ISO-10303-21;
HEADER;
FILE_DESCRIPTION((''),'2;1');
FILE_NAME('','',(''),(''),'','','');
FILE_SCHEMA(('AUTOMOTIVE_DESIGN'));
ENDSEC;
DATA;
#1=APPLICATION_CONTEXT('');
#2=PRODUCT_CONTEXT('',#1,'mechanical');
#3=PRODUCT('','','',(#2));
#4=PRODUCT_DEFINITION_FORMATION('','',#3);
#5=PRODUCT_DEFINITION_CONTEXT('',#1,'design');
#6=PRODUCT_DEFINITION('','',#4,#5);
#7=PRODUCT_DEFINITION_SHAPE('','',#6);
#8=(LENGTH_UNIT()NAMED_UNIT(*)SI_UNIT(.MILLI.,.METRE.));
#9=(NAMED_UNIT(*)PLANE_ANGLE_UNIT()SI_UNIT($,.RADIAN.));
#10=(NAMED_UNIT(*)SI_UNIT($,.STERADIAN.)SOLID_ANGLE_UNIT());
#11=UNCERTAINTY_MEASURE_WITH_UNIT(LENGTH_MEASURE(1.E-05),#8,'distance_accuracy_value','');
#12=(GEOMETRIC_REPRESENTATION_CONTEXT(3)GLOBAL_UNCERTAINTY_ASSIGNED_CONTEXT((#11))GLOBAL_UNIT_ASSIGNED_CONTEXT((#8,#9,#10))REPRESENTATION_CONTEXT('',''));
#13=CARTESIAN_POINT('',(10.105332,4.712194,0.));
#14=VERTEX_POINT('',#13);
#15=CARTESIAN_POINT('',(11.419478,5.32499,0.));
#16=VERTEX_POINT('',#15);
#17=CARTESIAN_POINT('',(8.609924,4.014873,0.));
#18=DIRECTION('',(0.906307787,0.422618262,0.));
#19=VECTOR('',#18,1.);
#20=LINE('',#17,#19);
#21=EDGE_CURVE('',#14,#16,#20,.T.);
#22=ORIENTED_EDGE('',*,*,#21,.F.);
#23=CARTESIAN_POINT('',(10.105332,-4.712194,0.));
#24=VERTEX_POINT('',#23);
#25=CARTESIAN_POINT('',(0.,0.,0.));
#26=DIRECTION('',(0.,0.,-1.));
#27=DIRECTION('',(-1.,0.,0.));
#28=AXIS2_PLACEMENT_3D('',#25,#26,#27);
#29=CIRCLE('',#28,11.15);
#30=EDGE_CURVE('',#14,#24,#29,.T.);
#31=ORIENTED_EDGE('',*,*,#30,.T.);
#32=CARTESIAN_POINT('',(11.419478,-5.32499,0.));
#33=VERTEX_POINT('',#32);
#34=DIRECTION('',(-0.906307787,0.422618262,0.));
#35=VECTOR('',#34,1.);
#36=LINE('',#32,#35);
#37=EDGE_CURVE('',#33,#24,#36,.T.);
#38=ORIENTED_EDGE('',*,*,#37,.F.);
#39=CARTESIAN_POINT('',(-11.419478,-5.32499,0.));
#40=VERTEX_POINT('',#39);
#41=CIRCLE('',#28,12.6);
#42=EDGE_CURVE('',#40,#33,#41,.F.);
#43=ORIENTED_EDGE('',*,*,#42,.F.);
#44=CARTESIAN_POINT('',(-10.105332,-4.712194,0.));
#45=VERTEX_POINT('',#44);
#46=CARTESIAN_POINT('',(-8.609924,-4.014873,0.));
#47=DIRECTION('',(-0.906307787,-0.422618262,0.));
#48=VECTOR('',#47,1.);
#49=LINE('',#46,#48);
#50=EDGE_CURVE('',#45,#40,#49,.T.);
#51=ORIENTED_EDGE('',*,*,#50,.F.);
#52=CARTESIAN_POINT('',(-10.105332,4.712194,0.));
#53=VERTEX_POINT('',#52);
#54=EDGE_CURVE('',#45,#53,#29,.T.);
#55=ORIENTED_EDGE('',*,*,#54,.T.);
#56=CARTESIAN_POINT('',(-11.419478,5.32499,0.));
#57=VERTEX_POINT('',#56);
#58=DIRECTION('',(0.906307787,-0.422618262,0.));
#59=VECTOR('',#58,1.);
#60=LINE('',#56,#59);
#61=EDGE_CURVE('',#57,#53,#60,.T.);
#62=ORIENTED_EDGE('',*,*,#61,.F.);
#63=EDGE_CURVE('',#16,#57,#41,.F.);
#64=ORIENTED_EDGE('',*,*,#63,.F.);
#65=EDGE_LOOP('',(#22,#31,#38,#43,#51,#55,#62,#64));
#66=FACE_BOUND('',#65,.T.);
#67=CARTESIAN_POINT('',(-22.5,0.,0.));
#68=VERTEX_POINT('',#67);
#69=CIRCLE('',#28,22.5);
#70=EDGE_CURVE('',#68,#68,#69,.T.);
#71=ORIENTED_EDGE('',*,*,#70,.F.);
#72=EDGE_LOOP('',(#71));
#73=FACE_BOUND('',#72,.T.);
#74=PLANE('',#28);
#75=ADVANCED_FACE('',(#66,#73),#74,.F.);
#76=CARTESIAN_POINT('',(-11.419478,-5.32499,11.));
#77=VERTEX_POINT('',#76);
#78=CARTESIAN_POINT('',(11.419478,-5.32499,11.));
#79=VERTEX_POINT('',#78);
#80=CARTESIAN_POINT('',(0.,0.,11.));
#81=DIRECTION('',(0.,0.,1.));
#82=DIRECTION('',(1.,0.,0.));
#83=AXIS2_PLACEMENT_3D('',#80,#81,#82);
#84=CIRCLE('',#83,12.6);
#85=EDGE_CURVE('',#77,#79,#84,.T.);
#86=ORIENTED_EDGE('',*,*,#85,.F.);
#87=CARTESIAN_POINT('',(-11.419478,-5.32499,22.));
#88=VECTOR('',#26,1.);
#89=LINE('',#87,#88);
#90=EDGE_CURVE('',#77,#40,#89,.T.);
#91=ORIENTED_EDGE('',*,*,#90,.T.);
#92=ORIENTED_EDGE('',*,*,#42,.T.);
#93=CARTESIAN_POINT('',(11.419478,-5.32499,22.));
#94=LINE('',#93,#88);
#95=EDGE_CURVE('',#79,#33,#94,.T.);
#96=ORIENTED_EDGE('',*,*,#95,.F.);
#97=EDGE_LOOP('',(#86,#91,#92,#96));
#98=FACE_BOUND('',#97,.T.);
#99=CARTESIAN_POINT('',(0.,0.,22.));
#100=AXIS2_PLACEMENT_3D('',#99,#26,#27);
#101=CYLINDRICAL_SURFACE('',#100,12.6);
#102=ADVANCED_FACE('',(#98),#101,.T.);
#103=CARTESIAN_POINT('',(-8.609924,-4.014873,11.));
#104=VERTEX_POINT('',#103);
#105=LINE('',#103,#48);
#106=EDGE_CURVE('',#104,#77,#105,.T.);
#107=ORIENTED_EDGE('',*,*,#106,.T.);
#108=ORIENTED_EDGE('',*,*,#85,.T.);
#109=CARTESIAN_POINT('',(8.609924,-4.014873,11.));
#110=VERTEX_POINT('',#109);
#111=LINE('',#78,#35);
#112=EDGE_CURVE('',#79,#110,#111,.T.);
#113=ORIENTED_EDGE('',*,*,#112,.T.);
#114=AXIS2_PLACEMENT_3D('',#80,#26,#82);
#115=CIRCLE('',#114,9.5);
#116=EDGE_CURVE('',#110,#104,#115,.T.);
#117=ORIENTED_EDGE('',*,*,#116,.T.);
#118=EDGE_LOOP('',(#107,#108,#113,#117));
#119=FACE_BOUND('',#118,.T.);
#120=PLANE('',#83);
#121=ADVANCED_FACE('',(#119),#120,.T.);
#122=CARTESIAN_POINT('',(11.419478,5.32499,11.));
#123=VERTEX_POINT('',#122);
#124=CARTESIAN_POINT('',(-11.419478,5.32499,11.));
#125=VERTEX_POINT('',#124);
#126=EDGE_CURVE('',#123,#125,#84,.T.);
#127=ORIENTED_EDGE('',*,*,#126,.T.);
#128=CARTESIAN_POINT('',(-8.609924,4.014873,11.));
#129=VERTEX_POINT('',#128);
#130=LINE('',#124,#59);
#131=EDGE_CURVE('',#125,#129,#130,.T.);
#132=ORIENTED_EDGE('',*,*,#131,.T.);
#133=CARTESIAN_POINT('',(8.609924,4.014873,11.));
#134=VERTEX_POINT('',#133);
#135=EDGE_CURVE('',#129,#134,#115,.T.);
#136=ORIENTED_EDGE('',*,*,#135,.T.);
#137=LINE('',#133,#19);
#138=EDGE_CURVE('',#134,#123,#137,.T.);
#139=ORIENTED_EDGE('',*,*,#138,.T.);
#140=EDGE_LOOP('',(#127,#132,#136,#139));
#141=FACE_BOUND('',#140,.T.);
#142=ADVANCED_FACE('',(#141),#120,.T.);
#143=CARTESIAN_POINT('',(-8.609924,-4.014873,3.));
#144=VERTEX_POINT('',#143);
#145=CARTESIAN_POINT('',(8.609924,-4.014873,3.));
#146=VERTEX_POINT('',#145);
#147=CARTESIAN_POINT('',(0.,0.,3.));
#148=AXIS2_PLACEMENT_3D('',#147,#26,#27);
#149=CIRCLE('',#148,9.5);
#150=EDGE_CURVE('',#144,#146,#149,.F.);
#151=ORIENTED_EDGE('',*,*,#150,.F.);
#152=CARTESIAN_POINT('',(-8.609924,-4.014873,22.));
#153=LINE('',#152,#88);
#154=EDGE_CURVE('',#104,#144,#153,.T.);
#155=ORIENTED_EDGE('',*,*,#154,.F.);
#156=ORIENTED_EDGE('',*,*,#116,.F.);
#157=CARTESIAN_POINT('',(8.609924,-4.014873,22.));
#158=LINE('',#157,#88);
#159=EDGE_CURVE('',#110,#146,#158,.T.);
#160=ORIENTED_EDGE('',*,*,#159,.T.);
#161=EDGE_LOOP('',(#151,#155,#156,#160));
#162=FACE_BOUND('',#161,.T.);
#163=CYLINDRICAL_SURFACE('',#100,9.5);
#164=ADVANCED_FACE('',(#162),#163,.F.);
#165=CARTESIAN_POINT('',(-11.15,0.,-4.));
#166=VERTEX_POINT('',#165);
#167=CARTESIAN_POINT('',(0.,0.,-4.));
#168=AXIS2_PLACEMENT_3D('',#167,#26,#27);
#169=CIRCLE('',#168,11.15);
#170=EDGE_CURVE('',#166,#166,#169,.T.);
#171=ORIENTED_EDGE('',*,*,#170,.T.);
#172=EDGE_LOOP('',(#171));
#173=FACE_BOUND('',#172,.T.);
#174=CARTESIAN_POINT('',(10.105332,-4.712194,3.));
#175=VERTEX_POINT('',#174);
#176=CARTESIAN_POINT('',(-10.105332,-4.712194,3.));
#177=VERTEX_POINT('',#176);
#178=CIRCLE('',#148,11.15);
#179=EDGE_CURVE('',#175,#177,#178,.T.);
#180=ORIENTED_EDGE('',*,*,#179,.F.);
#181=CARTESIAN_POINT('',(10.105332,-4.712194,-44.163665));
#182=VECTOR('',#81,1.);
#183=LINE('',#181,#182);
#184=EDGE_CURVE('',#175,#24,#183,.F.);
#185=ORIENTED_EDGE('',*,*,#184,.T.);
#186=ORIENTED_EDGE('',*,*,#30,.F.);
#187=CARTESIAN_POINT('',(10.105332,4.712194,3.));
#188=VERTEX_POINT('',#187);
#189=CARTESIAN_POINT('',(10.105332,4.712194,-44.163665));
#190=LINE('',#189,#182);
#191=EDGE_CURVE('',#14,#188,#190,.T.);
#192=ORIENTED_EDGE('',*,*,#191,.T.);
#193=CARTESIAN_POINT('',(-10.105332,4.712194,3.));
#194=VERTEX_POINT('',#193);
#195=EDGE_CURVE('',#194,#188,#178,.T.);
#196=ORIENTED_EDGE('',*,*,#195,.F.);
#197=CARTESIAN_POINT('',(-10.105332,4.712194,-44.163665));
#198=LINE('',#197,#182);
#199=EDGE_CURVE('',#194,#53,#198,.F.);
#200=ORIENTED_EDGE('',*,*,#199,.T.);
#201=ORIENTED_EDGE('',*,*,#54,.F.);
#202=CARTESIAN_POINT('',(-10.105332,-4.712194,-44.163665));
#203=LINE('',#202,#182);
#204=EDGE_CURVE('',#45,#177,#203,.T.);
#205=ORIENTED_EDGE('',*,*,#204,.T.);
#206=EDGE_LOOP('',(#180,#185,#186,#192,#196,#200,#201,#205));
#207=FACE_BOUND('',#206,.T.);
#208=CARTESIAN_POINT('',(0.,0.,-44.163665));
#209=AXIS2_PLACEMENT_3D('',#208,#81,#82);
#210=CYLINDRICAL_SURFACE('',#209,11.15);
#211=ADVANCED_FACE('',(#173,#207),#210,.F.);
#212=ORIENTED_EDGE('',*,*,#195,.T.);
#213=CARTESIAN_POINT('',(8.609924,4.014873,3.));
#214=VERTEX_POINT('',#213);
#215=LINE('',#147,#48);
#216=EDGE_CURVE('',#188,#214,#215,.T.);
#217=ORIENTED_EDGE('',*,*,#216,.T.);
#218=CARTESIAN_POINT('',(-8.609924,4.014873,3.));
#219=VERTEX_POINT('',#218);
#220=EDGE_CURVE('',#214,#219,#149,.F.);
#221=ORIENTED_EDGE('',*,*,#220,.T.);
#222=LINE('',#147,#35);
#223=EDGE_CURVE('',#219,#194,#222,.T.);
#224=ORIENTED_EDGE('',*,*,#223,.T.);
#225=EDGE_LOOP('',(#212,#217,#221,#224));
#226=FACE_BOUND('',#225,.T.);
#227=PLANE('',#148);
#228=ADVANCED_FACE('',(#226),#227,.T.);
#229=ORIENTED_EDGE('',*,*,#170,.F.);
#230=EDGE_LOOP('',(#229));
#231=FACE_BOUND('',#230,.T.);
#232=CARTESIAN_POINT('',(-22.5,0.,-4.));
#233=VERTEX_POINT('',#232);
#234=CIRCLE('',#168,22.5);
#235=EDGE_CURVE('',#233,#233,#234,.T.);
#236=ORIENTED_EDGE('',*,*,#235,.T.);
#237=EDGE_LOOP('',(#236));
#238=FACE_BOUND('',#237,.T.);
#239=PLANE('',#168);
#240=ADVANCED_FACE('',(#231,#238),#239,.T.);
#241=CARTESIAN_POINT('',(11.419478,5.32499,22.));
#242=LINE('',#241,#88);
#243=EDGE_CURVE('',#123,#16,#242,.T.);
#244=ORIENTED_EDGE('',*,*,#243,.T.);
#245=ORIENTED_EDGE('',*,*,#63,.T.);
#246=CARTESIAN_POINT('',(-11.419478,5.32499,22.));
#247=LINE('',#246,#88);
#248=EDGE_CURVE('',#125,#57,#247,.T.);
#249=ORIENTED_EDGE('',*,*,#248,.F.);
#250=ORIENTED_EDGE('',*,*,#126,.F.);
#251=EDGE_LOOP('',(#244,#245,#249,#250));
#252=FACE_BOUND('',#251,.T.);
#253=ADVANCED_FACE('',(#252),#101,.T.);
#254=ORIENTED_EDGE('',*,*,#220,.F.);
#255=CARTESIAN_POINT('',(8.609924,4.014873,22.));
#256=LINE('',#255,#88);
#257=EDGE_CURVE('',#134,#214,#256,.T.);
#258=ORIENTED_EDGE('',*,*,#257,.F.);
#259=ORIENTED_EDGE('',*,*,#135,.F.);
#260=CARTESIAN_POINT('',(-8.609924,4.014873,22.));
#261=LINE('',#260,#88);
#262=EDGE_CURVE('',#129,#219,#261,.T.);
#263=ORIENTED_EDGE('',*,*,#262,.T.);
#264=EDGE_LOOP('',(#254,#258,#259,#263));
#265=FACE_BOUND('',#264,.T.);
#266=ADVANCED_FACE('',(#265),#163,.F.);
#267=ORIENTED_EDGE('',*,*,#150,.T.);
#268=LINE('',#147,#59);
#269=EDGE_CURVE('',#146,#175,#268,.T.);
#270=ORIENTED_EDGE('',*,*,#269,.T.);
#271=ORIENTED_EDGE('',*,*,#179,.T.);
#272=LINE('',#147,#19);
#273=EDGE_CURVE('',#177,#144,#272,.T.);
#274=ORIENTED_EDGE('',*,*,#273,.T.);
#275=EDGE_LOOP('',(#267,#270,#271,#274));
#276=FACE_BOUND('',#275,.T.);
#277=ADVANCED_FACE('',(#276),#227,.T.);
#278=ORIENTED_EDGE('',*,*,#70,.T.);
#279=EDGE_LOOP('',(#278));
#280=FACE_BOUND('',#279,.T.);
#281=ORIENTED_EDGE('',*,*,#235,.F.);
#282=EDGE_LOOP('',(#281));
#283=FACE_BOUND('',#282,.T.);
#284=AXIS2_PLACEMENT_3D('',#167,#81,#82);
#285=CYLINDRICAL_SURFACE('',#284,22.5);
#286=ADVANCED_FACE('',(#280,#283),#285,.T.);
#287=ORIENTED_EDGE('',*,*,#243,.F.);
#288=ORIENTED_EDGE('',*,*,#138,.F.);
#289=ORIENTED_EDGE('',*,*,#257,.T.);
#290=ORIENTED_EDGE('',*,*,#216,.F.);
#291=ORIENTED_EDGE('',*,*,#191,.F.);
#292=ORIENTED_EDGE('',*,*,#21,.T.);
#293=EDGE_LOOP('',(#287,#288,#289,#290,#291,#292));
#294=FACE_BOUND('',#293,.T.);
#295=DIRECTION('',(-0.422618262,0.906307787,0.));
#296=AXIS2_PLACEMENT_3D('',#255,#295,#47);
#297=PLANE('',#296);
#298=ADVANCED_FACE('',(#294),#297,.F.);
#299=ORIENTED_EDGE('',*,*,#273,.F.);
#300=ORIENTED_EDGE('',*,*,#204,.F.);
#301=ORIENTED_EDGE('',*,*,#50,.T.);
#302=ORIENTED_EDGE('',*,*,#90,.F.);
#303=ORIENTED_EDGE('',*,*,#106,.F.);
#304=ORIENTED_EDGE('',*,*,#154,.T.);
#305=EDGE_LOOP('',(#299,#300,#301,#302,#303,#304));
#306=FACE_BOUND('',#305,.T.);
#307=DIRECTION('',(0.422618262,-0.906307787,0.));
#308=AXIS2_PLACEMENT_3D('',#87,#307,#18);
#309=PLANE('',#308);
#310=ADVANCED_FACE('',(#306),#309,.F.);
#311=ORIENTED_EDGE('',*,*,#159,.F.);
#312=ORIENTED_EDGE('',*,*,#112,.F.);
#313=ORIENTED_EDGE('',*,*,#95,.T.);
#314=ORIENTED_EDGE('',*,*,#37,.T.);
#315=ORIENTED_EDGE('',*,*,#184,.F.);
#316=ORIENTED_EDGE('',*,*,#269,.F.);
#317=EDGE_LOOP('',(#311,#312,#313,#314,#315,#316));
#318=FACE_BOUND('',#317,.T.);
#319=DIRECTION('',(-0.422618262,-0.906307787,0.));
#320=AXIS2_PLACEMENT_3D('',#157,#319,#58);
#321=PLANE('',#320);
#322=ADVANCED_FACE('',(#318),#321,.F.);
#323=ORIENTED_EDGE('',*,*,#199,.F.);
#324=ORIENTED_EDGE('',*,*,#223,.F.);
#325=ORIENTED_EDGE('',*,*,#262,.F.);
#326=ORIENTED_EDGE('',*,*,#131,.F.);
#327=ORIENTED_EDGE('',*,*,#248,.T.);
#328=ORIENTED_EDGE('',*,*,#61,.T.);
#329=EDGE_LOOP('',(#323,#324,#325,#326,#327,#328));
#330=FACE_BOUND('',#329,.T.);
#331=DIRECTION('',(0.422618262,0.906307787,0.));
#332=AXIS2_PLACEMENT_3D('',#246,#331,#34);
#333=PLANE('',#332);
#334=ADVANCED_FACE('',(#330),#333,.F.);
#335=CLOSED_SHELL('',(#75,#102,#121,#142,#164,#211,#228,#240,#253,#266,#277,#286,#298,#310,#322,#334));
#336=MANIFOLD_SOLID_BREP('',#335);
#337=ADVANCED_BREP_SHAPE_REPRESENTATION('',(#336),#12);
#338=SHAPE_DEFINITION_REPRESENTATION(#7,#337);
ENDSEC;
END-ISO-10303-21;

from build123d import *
from build123d.topology import SkipClean

# Parameters (mm, degrees)
ESBO_O1_R                = 11.15
RESSALTO_EXTRUS_O1_DEPTH = 15
ESBO_O2_R                = 22.5
RESSALTO_EXTRUS_O2_DEPTH = 4
RESSALTO_EXTRUS_O6_START = -8
ESBO_O5_R                = 11.15
ESBO_O5_R_2              = 8
RESSALTO_EXTRUS_O6_DEPTH = 8
RESSALTO_EXTRUS_O7_START = 4
ESBO_O7_R                = 14.2
ESBO_O7_R_2              = 11.15
RESSALTO_EXTRUS_O7_DEPTH = 4
RESSALTO_EXTRUS_O8_START = 4
ESBO_O8_R                = 11.15
ESBO_O8_R_2              = 8
RESSALTO_EXTRUS_O8_DEPTH = 4
RESSALTO_EXTRUS_O9_DEPTH = 7
CORTE_EXTRUS_O2_START    = -15
CORTE_EXTRUS_O2_DEPTH    = 15
CORTE_EXTRUS_O3_START    = -11
CORTE_EXTRUS_O3_DEPTH    = 11


with BuildPart() as part:
    # Esboço1 → Ressalto-extrusão1 (new body)
    with BuildSketch(Plane.XY):
        with BuildLine():
            Line((-2.5, 18), (-2.5, 13.978197309))
            ThreePointArc((-2.5, 13.978197309), (-10.040916293, 10.040916293), (-13.978197309, 2.5))
            Line((-13.978197309, 2.5), (-18, 2.5))
            Line((-18, 2.5), (-18, -2.5))
            Line((-18, -2.5), (-13.978197309, -2.5))
            ThreePointArc((-13.978197309, -2.5), (-10.040916293, -10.040916293), (-2.5, -13.978197309))
            Line((-2.5, -13.978197309), (-2.5, -18))
            Line((-2.5, -18), (2.5, -18))
            Line((2.5, -18), (2.5, -13.978197309))
            ThreePointArc((2.5, -13.978197309), (10.040916293, -10.040916293), (13.978197309, -2.5))
            Line((13.978197309, -2.5), (18, -2.5))
            Line((18, -2.5), (18, 2.5))
            Line((18, 2.5), (13.978197309, 2.5))
            ThreePointArc((13.978197309, 2.5), (10.040916293, 10.040916293), (2.5, 13.978197309))
            Line((2.5, 13.978197309), (2.5, 18))
            Line((2.5, 18), (-2.5, 18))
        make_face()
        Circle(ESBO_O1_R, mode=Mode.SUBTRACT)
    extrude(amount=RESSALTO_EXTRUS_O1_DEPTH)

    # Esboço5 → Ressalto-extrusão6 (add)
    with BuildSketch(Plane.XY.offset(15).offset(RESSALTO_EXTRUS_O6_START)):
        Circle(ESBO_O5_R)
        Circle(ESBO_O5_R_2, mode=Mode.SUBTRACT)
    extrude(amount=RESSALTO_EXTRUS_O6_DEPTH)



with BuildPart() as body_2:
    # Esboço2 → Ressalto-extrusão2 (new body)
    # profile 1 of 5: a face of its own
    with SkipClean():  # the faces are left unmerged after this step: merging them gives an invalid solid
        with BuildSketch(Plane(origin=(0, 0, 0), x_dir=(-1, 0, 0), z_dir=(0, 0, -1))):
            Circle(ESBO_O2_R)
            with BuildLine():
                Line((2.5, 13.978197309), (2.5, 18))
                Line((2.5, 18), (-2.5, 18))
                Line((-2.5, 18), (-2.5, 13.978197309))
                ThreePointArc((-2.5, 13.978197309), (-10.040916293, 10.040916293), (-13.978197309, 2.5))
                Line((-13.978197309, 2.5), (-18, 2.5))
                Line((-18, 2.5), (-18, -2.5))
                Line((-18, -2.5), (-13.978197309, -2.5))
                ThreePointArc((-13.978197309, -2.5), (-10.040916293, -10.040916293), (-2.5, -13.978197309))
                Line((-2.5, -13.978197309), (-2.5, -18))
                Line((-2.5, -18), (2.5, -18))
                Line((2.5, -18), (2.5, -13.978197309))
                ThreePointArc((2.5, -13.978197309), (10.040916293, -10.040916293), (13.978197309, -2.5))
                Line((13.978197309, -2.5), (18, -2.5))
                Line((18, -2.5), (18, 2.5))
                Line((18, 2.5), (13.978197309, 2.5))
                ThreePointArc((13.978197309, 2.5), (10.040916293, 10.040916293), (2.5, 13.978197309))
            make_face(mode=Mode.SUBTRACT)
        # profile 2 of 5: a face of its own
        with BuildSketch(Plane(origin=(0, 0, 0), x_dir=(-1, 0, 0), z_dir=(0, 0, -1))):
            with BuildLine():
                Line((2.5, -18), (2.5, -13.978197309))
                ThreePointArc((2.5, -13.978197309), (0, -14.2), (-2.5, -13.978197309))
                Line((-2.5, -13.978197309), (-2.5, -18))
                Line((-2.5, -18), (2.5, -18))
            make_face()
        # profile 3 of 5: a face of its own
        with BuildSketch(Plane(origin=(0, 0, 0), x_dir=(-1, 0, 0), z_dir=(0, 0, -1))):
            with BuildLine():
                ThreePointArc((-13.978197309, -2.5), (-14.2, 0), (-13.978197309, 2.5))
                Line((-13.978197309, 2.5), (-18, 2.5))
                Line((-18, 2.5), (-18, -2.5))
                Line((-18, -2.5), (-13.978197309, -2.5))
            make_face()
        # profile 4 of 5: a face of its own
        with BuildSketch(Plane(origin=(0, 0, 0), x_dir=(-1, 0, 0), z_dir=(0, 0, -1))):
            with BuildLine():
                ThreePointArc((-2.5, 13.978197309), (0, 14.2), (2.5, 13.978197309))
                Line((2.5, 13.978197309), (2.5, 18))
                Line((2.5, 18), (-2.5, 18))
                Line((-2.5, 18), (-2.5, 13.978197309))
            make_face()
        # profile 5 of 5: a face of its own
        with BuildSketch(Plane(origin=(0, 0, 0), x_dir=(-1, 0, 0), z_dir=(0, 0, -1))):
            with BuildLine():
                Line((18, 2.5), (13.978197309, 2.5))
                ThreePointArc((13.978197309, 2.5), (14.2, 0), (13.978197309, -2.5))
                Line((13.978197309, -2.5), (18, -2.5))
                Line((18, -2.5), (18, 2.5))
            make_face()
        extrude(amount=RESSALTO_EXTRUS_O2_DEPTH)


with BuildPart() as part_1:
    with SkipClean():  # the faces are left unmerged after this step: merging them gives an invalid solid
        add(part.part)

        add(body_2.part)  # Ressalto-extrusão7 merges body 2
        # Esboço7 → Ressalto-extrusão7 (add)
        with BuildSketch(Plane(origin=(0, 0, 0), x_dir=(-1, 0, 0), z_dir=(0, 0, -1)).offset(RESSALTO_EXTRUS_O7_START)):
            Circle(ESBO_O7_R)
            with Locations(Location((0, 0, 0), (0, 0, 180))):
                Circle(ESBO_O7_R_2, mode=Mode.SUBTRACT)
        extrude(amount=-RESSALTO_EXTRUS_O7_DEPTH)

    # Esboço8 → Ressalto-extrusão8 (add)
    with BuildSketch(Plane(origin=(0, 0, 7), x_dir=(-1, 0, 0), z_dir=(0, 0, -1)).offset(RESSALTO_EXTRUS_O8_START)):
        Circle(ESBO_O8_R)
        with Locations(Location((0, 0, 0), (0, 0, 180))):
            Circle(ESBO_O8_R_2, mode=Mode.SUBTRACT)
    extrude(amount=-RESSALTO_EXTRUS_O8_DEPTH)

    # Esboço9 → Ressalto-extrusão9 (add)
    with BuildSketch(Plane.XY.offset(15)):
        with BuildLine():
            Line((-11.419478117, 5.324990098), (-8.609923977, 4.014873487))
            ThreePointArc((-8.609923977, 4.014873487), (0, 9.5), (8.609923977, 4.014873487))
            Line((8.609923977, 4.014873487), (11.419478117, 5.324990098))
            ThreePointArc((11.419478117, 5.324990098), (0, 12.6), (-11.419478117, 5.324990098))
        make_face()
        with BuildLine():
            Line((-11.419478117, -5.324990098), (-8.609923977, -4.014873487))
            ThreePointArc((-8.609923977, -4.014873487), (0, -9.5), (8.609923977, -4.014873487))
            Line((8.609923977, -4.014873487), (11.419478117, -5.324990098))
            ThreePointArc((11.419478117, -5.324990098), (0, -12.6), (-11.419478117, -5.324990098))
        make_face()
    extrude(amount=RESSALTO_EXTRUS_O9_DEPTH)

    # Esboço10 → Corte-extrusão2 (cut)
    with BuildSketch(Plane.XY.offset(15).offset(CORTE_EXTRUS_O2_START)):
        with BuildLine():
            Line((-2.5, 18), (-2.5, 13.978197309))
            ThreePointArc((-2.5, 13.978197309), (-10.040916293, 10.040916293), (-13.978197309, 2.5))
            Line((-13.978197309, 2.5), (-18, 2.5))
            Line((-18, 2.5), (-18, -2.5))
            Line((-18, -2.5), (-13.978197309, -2.5))
            ThreePointArc((-13.978197309, -2.5), (-10.040916293, -10.040916293), (-2.5, -13.978197309))
            Line((-2.5, -13.978197309), (-2.5, -18))
            Line((-2.5, -18), (2.5, -18))
            Line((2.5, -18), (2.5, -13.978197309))
            ThreePointArc((2.5, -13.978197309), (10.040916293, -10.040916293), (13.978197309, -2.5))
            Line((13.978197309, -2.5), (18, -2.5))
            Line((18, -2.5), (18, 2.5))
            Line((18, 2.5), (13.978197309, 2.5))
            ThreePointArc((13.978197309, 2.5), (10.040916293, 10.040916293), (2.5, 13.978197309))
            Line((2.5, 13.978197309), (2.5, 18))
            Line((2.5, 18), (-2.5, 18))
        make_face()
        with BuildLine():
            Line((11.419478117, -5.324990098), (8.609923977, -4.014873487))
            ThreePointArc((8.609923977, -4.014873487), (0, -9.5), (-8.609923977, -4.014873487))
            Line((-8.609923977, -4.014873487), (-11.419478117, -5.324990098))
            ThreePointArc((-11.419478117, -5.324990098), (0, -12.6), (11.419478117, -5.324990098))
        make_face(mode=Mode.SUBTRACT)
        with BuildLine():
            Line((8.609923977, 4.014873487), (11.419478117, 5.324990098))
            ThreePointArc((11.419478117, 5.324990098), (0, 12.6), (-11.419478117, 5.324990098))
            Line((-11.419478117, 5.324990098), (-8.609923977, 4.014873487))
            ThreePointArc((-8.609923977, 4.014873487), (0, 9.5), (8.609923977, 4.014873487))
        make_face(mode=Mode.SUBTRACT)
    extrude(amount=CORTE_EXTRUS_O2_DEPTH, mode=Mode.SUBTRACT)

    # Esboço11 → Corte-extrusão3 (cut)
    with BuildSketch(Plane.XY.offset(22).offset(CORTE_EXTRUS_O3_START)):
        with BuildLine():
            Line((11.419478117, -5.324990098), (8.609923977, -4.014873487))
            ThreePointArc((8.609923977, -4.014873487), (0, -9.5), (-8.609923977, -4.014873487))
            Line((-8.609923977, -4.014873487), (-11.419478117, -5.324990098))
            ThreePointArc((-11.419478117, -5.324990098), (0, -12.6), (11.419478117, -5.324990098))
        make_face()
        with BuildLine():
            Line((8.609923977, 4.014873487), (11.419478117, 5.324990098))
            ThreePointArc((11.419478117, 5.324990098), (0, 12.6), (-11.419478117, 5.324990098))
            Line((-11.419478117, 5.324990098), (-8.609923977, 4.014873487))
            ThreePointArc((-8.609923977, 4.014873487), (0, 9.5), (8.609923977, 4.014873487))
        make_face()
    extrude(amount=CORTE_EXTRUS_O3_DEPTH, mode=Mode.SUBTRACT)


solid = part_1.part
